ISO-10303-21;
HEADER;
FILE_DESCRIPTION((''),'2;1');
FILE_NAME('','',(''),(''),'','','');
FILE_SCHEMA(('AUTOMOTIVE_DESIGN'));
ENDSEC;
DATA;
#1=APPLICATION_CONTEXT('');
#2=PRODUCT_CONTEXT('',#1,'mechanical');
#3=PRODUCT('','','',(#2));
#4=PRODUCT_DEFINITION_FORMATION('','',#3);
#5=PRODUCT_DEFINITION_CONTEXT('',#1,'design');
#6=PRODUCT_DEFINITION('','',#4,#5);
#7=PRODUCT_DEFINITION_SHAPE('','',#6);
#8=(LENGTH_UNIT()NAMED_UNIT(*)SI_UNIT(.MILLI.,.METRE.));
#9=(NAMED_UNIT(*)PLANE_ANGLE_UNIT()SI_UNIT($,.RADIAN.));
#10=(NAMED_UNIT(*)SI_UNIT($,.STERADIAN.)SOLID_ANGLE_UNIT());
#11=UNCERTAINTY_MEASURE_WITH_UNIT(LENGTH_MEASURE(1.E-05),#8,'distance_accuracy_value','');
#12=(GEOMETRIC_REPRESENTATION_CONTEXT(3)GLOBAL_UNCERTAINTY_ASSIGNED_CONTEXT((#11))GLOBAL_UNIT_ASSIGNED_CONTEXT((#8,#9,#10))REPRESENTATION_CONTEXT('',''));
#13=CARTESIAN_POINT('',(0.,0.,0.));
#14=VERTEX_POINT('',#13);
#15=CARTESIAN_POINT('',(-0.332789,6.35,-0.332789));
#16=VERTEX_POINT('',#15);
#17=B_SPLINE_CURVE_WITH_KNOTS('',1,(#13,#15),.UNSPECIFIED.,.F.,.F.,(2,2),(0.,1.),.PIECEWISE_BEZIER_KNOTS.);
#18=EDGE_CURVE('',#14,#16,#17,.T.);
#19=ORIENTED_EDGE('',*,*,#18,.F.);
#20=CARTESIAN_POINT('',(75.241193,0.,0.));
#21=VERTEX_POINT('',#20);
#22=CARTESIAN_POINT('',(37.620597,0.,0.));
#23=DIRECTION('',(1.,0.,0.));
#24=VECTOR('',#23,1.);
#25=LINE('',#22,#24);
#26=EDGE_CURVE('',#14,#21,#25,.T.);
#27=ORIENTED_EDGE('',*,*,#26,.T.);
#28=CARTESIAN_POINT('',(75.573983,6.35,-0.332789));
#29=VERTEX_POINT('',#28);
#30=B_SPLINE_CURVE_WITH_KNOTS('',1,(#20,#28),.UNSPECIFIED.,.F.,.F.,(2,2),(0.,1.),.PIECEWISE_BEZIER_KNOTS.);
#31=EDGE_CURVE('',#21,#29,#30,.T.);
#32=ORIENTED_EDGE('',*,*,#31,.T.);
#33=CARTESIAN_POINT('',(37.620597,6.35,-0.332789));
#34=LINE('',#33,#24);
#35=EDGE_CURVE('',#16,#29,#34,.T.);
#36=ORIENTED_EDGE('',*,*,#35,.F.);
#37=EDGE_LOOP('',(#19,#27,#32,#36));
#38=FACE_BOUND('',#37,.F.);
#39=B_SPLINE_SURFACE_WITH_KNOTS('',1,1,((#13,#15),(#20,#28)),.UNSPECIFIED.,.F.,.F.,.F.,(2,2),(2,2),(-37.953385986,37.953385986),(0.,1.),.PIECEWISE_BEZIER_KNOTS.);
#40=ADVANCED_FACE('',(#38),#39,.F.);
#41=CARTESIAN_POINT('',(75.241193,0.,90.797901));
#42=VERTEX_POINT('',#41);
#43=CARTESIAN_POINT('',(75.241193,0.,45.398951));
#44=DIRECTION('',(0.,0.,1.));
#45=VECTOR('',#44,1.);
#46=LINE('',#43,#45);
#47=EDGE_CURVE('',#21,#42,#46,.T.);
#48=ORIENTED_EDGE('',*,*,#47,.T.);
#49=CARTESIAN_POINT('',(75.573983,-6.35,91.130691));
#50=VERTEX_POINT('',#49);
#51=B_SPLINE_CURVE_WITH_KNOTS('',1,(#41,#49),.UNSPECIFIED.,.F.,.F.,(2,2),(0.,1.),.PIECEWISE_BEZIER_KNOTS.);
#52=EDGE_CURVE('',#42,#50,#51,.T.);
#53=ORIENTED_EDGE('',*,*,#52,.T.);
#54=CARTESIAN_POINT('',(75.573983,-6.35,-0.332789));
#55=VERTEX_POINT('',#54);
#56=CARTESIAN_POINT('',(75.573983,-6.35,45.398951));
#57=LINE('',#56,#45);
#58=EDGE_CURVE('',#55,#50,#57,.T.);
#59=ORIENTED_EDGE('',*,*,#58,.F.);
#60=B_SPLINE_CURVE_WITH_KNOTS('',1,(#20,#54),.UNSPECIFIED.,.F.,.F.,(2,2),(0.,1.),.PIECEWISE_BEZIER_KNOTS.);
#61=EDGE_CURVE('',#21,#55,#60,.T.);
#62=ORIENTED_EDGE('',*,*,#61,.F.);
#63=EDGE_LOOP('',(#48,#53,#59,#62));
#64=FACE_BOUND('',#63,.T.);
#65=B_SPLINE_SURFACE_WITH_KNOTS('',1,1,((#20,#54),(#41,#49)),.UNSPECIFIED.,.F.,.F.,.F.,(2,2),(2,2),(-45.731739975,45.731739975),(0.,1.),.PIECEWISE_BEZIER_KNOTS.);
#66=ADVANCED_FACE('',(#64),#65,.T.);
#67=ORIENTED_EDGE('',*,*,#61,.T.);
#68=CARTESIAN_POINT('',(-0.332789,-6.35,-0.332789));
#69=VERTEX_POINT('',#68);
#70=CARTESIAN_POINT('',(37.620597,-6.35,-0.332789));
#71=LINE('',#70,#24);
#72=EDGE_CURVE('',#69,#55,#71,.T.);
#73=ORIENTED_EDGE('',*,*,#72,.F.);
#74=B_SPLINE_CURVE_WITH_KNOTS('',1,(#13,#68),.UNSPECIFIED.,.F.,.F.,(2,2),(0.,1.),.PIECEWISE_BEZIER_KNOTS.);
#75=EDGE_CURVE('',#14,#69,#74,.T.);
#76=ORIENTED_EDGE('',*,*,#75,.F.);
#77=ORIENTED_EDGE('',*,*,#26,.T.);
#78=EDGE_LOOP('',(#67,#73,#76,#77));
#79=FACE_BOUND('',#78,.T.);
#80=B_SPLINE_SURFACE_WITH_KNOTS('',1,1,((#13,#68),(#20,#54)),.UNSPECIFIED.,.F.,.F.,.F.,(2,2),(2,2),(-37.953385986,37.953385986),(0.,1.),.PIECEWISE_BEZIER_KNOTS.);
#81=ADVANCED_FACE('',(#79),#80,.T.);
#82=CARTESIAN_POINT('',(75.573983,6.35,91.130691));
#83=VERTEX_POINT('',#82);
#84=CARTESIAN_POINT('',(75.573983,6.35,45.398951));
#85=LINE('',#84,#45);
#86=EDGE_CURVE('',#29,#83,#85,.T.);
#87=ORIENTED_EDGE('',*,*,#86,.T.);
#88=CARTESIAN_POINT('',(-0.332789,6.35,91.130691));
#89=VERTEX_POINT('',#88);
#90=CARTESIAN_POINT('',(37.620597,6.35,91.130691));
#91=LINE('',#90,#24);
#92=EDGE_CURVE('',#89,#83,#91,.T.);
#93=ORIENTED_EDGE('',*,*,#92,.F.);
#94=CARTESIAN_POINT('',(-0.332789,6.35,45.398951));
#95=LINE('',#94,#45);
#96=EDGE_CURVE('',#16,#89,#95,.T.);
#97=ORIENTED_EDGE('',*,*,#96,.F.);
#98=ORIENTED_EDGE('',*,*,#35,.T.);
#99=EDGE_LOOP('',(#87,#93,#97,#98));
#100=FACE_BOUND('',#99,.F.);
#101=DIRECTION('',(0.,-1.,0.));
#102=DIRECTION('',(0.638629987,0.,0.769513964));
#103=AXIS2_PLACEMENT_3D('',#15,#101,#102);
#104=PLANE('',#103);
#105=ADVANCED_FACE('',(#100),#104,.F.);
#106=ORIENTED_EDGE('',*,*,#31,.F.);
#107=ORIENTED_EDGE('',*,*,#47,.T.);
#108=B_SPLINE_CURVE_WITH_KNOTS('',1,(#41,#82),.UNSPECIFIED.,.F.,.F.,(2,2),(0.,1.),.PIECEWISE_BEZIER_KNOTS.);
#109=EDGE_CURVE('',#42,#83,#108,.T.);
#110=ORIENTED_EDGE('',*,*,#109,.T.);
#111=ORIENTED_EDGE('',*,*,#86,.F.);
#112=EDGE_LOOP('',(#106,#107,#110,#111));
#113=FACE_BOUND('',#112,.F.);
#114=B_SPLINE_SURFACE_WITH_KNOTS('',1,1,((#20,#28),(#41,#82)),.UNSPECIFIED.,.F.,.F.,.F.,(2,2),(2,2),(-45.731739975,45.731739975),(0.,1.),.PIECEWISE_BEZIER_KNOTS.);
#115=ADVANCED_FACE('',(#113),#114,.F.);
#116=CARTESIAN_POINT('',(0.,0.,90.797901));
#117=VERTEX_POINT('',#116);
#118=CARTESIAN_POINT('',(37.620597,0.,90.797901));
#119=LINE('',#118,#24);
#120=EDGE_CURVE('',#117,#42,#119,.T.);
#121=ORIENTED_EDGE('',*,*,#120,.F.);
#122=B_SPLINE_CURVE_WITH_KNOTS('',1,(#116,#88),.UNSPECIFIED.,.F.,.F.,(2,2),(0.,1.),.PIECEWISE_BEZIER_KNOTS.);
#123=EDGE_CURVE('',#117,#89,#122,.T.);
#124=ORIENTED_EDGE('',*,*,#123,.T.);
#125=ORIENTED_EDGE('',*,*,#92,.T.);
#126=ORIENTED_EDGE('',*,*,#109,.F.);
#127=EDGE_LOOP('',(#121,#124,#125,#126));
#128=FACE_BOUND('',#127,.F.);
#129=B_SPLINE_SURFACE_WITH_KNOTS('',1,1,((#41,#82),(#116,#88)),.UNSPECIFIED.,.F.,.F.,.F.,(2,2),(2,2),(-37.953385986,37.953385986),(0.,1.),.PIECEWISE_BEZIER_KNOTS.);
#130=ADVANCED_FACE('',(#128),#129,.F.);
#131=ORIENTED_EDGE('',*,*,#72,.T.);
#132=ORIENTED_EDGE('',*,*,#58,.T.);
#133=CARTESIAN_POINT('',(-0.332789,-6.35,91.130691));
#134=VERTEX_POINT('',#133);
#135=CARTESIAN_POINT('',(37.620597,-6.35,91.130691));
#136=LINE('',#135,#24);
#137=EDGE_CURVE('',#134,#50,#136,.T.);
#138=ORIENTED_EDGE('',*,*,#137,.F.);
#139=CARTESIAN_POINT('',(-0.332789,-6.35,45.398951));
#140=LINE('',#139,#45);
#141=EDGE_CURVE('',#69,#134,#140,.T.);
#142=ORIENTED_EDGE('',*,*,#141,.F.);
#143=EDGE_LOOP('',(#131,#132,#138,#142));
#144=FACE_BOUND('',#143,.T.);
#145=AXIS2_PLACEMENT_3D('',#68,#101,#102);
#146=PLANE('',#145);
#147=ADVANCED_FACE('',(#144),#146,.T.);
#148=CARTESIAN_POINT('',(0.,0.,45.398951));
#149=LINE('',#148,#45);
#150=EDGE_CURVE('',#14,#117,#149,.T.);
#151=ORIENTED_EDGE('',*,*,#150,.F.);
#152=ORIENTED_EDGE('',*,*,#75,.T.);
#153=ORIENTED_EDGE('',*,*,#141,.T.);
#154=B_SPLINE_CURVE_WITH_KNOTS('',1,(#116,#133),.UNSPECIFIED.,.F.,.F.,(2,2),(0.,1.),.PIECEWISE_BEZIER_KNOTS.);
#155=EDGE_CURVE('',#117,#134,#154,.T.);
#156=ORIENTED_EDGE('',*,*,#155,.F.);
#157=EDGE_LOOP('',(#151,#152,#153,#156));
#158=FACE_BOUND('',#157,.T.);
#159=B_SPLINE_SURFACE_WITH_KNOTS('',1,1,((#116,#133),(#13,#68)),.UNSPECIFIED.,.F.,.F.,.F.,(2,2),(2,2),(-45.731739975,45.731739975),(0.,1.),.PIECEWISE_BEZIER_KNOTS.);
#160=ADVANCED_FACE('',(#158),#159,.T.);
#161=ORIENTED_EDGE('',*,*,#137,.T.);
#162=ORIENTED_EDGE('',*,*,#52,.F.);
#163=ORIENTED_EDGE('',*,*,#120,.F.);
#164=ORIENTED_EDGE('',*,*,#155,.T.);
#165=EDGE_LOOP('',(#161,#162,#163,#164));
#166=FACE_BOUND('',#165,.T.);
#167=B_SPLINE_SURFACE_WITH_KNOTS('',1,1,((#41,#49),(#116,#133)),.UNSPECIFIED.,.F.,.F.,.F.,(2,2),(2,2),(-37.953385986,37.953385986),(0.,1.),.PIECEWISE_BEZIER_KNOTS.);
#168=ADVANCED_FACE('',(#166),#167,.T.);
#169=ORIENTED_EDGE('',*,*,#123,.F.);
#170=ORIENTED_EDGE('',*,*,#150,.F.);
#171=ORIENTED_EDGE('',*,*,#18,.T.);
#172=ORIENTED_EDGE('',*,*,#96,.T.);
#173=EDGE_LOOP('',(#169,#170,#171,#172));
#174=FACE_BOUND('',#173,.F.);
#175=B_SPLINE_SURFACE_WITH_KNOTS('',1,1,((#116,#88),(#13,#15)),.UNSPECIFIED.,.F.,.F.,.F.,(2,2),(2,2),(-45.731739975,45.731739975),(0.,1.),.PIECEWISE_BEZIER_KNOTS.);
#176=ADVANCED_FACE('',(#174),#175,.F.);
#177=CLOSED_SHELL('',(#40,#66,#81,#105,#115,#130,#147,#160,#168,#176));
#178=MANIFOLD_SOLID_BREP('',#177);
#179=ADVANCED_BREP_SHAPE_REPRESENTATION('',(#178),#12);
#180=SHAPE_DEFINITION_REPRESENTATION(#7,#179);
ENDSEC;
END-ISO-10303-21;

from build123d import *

# Parameters (mm, degrees)
F0_W     = 75.2411931753
F0_H     = 90.7979011536
F1_DEPTH = 6.35
F1_TAPER = -3


with BuildPart() as f1:
    # F0 (on Front) → F1 (new body, symmetric)
    with BuildSketch(Plane.XZ):
        with Locations((37.6205965877, 45.3989505768)):
            Rectangle(F0_W, F0_H)
    extrude(amount=F1_DEPTH, both=True, taper=F1_TAPER)


solid = f1.part
